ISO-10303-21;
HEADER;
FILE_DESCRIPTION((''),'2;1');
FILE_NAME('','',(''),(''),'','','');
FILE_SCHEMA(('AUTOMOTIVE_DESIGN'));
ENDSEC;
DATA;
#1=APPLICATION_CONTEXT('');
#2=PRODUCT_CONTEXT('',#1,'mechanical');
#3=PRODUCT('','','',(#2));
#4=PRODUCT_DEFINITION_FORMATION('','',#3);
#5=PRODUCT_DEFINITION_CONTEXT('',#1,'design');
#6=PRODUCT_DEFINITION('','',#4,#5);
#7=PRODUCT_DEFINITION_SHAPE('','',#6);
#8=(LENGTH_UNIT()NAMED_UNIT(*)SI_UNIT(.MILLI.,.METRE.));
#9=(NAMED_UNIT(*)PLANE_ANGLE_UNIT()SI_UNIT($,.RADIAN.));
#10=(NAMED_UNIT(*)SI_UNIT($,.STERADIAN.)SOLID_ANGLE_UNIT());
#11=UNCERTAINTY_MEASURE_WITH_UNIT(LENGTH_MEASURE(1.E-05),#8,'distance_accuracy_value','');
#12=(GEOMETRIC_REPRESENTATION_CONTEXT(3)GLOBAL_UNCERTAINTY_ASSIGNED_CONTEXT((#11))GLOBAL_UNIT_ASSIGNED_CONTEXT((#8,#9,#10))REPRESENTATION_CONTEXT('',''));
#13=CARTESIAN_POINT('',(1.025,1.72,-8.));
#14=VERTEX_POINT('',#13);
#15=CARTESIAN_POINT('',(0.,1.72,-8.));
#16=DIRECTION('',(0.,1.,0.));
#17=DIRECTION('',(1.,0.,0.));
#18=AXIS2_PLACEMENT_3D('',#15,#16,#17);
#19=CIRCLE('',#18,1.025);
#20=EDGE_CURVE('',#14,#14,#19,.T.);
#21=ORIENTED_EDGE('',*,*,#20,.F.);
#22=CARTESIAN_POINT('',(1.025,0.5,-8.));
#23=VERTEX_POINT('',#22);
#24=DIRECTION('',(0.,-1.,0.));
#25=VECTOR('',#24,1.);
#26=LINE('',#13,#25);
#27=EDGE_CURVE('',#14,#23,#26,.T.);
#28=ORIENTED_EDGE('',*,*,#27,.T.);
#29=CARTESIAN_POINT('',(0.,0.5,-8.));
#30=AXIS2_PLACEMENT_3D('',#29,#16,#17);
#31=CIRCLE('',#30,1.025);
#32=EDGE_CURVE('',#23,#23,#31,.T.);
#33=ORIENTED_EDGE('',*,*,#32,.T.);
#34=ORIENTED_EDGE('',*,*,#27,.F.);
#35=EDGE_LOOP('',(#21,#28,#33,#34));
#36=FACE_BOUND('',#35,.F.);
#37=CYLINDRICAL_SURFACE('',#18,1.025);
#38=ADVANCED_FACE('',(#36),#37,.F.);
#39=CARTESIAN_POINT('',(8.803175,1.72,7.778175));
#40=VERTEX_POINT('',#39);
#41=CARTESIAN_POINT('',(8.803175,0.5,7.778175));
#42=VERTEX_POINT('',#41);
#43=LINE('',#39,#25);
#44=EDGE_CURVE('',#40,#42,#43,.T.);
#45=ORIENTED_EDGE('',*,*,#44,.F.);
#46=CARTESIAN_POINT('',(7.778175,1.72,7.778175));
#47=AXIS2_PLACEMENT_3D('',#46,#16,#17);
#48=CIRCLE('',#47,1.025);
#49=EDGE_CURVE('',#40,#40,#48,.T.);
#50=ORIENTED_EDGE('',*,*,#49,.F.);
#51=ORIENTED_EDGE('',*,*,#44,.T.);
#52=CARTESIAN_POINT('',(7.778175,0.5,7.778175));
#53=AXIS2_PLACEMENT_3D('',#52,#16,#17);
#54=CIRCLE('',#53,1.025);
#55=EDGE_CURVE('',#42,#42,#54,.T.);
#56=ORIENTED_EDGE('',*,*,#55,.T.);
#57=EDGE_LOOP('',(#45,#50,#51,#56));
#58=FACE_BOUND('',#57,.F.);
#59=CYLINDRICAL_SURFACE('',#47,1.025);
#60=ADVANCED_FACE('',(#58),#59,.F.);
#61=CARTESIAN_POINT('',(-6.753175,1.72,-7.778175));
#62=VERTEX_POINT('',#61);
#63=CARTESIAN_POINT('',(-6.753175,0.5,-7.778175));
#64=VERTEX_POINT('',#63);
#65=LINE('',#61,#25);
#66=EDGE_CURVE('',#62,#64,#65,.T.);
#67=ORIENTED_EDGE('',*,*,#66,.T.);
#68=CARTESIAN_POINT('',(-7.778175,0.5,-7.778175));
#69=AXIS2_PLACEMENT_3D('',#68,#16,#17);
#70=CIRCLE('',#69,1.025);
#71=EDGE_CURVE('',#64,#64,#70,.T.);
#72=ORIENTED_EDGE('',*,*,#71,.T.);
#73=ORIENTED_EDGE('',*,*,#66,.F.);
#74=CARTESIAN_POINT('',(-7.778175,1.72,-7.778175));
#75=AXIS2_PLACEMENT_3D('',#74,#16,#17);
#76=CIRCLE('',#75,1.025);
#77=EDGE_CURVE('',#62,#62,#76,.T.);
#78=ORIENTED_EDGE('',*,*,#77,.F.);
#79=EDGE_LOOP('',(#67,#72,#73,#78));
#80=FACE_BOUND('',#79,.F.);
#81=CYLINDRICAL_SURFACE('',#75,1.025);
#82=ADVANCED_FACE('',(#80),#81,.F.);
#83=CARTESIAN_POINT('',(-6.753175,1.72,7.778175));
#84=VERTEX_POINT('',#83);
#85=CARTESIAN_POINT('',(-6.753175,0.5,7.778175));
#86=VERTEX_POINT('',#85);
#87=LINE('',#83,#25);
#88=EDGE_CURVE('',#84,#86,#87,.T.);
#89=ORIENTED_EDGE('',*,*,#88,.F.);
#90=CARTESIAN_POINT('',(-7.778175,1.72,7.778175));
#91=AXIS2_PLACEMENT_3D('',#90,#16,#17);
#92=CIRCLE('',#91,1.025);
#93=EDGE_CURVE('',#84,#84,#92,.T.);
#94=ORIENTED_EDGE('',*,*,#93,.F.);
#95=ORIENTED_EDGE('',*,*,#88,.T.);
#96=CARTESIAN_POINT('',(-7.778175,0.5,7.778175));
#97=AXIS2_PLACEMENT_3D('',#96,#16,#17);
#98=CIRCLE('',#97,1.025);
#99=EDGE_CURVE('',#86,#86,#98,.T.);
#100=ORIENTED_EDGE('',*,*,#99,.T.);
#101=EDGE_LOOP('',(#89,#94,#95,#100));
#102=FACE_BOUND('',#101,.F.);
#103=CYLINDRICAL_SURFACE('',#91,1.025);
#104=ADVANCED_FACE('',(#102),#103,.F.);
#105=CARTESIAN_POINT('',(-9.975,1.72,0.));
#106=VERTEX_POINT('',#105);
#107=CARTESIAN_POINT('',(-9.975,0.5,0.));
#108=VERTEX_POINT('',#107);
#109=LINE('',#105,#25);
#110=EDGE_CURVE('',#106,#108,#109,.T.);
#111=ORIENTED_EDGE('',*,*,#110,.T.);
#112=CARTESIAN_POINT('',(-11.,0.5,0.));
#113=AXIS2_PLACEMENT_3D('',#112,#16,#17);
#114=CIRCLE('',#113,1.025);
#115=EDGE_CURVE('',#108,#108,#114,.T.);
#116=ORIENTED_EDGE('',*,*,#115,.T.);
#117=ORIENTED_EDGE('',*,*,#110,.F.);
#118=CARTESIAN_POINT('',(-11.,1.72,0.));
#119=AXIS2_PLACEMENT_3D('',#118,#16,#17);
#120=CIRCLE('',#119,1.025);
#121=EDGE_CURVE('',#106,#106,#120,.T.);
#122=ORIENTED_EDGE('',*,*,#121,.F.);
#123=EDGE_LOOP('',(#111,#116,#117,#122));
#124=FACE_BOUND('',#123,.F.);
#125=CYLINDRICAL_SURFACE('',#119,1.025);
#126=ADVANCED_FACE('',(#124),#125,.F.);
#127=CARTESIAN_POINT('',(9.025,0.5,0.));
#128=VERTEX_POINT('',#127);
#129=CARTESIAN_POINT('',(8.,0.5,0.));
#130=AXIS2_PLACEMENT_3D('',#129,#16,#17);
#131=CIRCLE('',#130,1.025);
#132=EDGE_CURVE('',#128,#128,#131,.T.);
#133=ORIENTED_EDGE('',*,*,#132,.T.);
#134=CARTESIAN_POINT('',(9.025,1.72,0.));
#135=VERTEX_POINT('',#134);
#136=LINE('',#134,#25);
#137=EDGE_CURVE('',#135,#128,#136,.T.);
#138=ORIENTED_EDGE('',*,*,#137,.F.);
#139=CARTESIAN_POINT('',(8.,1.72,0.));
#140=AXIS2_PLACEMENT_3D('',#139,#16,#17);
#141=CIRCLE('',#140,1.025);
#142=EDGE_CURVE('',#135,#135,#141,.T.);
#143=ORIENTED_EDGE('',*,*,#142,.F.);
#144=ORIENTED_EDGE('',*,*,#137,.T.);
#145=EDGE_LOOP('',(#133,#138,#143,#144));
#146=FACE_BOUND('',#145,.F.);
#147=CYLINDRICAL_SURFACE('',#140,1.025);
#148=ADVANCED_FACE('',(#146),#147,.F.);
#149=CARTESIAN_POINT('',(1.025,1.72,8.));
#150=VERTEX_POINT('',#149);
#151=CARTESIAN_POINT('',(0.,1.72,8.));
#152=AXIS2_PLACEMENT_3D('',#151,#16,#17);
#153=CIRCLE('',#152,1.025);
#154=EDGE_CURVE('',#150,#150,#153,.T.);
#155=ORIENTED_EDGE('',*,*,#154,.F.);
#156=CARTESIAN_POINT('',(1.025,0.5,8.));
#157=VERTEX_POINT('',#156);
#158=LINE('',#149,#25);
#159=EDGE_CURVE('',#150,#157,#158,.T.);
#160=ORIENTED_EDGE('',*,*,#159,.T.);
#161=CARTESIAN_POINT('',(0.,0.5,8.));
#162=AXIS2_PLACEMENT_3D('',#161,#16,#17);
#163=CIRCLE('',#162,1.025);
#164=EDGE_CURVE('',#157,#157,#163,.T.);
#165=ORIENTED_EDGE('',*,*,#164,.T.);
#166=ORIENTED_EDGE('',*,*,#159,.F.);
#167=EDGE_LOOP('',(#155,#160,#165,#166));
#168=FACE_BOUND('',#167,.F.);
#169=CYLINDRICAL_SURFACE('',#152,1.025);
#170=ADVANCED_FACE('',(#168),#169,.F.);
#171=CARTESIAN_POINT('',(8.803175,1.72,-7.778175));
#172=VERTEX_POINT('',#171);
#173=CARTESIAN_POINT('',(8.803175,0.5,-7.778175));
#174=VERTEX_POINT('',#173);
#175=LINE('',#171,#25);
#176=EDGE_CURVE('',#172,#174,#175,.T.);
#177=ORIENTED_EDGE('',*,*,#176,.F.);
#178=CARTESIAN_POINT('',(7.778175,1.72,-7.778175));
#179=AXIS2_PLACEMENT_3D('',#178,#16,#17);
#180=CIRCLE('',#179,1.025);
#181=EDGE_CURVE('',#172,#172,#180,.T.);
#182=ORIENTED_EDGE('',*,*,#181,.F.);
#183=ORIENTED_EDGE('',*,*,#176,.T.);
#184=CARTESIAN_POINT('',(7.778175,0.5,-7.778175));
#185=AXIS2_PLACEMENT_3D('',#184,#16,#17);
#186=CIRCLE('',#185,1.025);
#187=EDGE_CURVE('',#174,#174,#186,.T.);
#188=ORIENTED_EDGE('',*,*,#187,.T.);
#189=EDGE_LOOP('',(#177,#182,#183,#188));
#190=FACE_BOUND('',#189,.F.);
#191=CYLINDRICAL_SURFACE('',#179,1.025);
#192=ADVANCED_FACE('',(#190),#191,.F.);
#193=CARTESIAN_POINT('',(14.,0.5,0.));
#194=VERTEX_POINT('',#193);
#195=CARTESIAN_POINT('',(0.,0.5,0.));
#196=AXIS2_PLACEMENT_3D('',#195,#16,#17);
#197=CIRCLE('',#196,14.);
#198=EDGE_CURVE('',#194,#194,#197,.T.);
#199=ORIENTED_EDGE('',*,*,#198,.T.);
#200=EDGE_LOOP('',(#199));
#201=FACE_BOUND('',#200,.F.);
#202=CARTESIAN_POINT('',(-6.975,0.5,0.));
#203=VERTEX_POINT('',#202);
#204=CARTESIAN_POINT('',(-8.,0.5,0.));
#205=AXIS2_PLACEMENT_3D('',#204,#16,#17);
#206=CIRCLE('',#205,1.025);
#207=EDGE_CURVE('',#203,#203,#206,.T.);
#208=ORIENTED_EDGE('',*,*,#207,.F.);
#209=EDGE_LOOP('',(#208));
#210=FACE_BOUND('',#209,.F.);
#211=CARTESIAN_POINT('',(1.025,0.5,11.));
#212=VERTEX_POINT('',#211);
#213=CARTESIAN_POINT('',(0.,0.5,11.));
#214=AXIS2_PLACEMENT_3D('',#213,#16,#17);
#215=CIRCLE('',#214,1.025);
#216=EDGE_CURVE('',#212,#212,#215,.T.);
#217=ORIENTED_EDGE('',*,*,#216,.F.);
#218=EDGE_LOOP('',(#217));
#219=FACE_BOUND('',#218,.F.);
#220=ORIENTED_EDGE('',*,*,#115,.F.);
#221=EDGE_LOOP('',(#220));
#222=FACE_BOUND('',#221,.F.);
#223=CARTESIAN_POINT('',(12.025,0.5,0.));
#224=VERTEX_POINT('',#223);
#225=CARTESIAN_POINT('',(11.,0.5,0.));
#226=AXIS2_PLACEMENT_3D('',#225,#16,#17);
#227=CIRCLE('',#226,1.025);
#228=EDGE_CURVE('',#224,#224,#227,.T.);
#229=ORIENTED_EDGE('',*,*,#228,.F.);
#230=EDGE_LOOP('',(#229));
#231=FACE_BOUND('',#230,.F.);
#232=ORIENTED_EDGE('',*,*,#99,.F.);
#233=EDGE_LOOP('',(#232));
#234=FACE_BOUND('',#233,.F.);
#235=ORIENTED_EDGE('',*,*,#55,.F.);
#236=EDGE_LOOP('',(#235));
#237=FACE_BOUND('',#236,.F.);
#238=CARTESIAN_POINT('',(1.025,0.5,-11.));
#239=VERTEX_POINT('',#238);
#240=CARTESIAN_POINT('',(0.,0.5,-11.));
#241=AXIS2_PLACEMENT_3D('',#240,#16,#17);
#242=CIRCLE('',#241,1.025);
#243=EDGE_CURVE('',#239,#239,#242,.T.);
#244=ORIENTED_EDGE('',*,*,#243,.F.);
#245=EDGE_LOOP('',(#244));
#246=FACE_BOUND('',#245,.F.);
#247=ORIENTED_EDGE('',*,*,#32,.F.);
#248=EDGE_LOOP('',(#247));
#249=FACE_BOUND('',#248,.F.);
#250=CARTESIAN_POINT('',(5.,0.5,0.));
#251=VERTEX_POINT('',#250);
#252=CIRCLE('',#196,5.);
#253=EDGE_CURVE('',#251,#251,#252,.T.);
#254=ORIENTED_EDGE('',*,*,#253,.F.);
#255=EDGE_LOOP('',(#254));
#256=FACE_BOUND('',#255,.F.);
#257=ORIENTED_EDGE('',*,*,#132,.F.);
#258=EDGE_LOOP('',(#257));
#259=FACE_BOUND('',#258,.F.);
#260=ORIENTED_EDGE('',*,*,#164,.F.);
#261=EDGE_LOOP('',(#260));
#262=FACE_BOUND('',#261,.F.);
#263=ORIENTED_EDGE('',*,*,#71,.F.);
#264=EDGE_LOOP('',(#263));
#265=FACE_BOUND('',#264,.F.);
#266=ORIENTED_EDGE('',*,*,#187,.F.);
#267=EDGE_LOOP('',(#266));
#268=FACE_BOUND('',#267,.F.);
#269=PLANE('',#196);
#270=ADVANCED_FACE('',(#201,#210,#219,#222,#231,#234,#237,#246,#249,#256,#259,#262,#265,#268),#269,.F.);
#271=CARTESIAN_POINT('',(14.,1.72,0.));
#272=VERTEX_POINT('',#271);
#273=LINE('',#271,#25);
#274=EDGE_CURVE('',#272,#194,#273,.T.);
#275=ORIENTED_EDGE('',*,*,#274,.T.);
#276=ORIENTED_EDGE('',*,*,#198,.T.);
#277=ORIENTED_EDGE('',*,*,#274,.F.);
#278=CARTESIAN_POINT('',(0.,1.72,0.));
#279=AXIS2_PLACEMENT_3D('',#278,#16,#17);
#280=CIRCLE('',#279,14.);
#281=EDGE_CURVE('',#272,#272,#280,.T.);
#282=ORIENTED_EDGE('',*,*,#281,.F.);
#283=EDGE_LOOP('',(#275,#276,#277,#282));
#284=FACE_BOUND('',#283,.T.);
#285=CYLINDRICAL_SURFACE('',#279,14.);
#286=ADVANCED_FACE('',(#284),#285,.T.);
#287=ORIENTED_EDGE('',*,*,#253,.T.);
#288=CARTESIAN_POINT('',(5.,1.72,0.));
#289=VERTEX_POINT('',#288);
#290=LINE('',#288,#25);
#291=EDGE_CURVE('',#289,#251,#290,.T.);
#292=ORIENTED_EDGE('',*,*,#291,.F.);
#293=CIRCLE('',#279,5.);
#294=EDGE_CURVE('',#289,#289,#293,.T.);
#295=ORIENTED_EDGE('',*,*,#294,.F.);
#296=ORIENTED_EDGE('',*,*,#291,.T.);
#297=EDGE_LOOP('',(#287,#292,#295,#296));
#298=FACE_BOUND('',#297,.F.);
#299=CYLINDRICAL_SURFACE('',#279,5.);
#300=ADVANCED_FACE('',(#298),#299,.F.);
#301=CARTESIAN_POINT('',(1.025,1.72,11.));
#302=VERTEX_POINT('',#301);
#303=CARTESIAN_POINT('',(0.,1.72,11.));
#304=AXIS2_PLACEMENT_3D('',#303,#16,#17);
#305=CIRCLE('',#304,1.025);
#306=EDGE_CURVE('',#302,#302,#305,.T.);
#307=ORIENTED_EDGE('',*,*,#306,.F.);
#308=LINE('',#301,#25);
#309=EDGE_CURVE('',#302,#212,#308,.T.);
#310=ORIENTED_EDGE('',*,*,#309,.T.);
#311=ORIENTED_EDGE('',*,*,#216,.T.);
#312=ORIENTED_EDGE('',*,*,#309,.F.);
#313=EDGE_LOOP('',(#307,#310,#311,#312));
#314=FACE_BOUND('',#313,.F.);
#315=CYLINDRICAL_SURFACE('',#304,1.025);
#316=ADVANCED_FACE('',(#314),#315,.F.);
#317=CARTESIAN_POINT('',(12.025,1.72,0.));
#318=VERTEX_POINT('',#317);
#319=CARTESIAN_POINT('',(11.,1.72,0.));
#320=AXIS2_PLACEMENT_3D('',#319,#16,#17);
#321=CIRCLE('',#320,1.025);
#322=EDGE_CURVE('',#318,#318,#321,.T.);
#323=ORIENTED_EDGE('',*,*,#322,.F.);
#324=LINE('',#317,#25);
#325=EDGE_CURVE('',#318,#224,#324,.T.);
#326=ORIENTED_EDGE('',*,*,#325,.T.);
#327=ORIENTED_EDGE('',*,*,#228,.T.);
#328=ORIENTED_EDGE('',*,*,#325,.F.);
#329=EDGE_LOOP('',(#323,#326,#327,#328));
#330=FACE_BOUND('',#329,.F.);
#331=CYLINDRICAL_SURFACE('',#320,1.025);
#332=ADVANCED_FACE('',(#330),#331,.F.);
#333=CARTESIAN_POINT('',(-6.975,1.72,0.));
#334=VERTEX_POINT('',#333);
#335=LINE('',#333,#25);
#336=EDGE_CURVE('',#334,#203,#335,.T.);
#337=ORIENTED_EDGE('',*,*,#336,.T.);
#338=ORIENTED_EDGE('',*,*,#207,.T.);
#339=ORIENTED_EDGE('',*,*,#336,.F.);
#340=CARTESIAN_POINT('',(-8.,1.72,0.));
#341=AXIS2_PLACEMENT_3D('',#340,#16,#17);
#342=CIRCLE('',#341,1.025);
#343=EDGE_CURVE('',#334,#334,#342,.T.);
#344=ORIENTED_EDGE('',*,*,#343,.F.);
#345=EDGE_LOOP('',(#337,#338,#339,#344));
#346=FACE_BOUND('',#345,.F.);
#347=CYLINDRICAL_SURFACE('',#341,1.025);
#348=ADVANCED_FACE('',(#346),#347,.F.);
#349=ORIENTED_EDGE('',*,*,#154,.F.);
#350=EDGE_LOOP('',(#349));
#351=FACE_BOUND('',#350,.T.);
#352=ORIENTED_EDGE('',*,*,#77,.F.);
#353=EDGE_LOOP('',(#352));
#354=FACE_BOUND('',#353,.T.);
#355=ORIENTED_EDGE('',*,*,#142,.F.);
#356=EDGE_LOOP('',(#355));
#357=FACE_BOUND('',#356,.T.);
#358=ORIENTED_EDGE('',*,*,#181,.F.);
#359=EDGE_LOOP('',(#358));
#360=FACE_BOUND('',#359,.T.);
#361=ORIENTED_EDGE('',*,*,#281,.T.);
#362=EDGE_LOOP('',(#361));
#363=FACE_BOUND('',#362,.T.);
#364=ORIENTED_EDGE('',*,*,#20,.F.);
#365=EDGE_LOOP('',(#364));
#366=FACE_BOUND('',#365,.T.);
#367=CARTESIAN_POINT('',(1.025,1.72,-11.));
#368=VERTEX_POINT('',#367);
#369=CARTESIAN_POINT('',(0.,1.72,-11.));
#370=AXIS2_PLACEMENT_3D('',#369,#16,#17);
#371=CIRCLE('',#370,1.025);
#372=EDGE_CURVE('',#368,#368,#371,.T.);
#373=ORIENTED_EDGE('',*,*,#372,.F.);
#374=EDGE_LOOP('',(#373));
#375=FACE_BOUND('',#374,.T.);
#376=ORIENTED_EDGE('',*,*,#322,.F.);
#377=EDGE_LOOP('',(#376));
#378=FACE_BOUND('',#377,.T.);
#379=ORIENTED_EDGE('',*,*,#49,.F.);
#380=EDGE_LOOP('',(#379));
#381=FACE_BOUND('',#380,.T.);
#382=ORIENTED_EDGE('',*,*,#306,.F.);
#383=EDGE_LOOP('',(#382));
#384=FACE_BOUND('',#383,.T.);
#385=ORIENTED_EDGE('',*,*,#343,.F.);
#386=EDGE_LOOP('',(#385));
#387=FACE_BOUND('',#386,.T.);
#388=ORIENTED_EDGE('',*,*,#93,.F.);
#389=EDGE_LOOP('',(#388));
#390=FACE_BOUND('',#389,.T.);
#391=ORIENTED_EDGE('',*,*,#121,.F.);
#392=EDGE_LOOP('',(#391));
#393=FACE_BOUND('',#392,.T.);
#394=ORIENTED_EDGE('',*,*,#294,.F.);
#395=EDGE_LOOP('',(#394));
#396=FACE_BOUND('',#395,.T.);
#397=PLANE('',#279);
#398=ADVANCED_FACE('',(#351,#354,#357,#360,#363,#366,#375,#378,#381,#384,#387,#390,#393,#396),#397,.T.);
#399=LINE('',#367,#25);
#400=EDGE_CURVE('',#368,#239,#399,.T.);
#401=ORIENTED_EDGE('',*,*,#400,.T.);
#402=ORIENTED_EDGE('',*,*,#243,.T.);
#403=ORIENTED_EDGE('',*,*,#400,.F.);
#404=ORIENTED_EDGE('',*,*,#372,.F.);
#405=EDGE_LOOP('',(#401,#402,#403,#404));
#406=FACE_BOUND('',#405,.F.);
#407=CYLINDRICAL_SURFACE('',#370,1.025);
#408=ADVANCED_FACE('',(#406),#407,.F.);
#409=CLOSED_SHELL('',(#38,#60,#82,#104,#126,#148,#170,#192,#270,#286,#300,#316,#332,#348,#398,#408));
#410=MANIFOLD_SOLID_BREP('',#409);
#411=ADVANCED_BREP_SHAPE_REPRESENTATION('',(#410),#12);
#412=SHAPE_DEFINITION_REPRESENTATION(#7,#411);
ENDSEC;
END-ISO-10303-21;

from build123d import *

# Parameters (mm, degrees)
SKETCH1_R           = 14
SKETCH1_R_2         = 1.025
SKETCH1_R_3         = 5
BOSS_EXTRUDE1_DEPTH = 1.22


with BuildPart() as part:
    # Sketch1 → Boss-Extrude1 (new body)
    with BuildSketch(Plane(origin=(0, 1.72, 0), x_dir=(1, 0, 0), z_dir=(0, 1, 0))):
        Circle(SKETCH1_R)
        with Locations((-8, 0)):
            Circle(SKETCH1_R_2, mode=Mode.SUBTRACT)
        with Locations((8, 0)):
            Circle(SKETCH1_R_2, mode=Mode.SUBTRACT)
        with Locations((-7.778174593, 7.778174593)):
            Circle(SKETCH1_R_2, mode=Mode.SUBTRACT)
        with Locations((-7.778174593, -7.778174593)):
            Circle(SKETCH1_R_2, mode=Mode.SUBTRACT)
        with Locations((7.778174593, -7.778174593)):
            Circle(SKETCH1_R_2, mode=Mode.SUBTRACT)
        with Locations((7.778174593, 7.778174593)):
            Circle(SKETCH1_R_2, mode=Mode.SUBTRACT)
        with Locations((0, 11)):
            Circle(SKETCH1_R_2, mode=Mode.SUBTRACT)
        with Locations((11, 0)):
            Circle(SKETCH1_R_2, mode=Mode.SUBTRACT)
        with Locations((0, -11)):
            Circle(SKETCH1_R_2, mode=Mode.SUBTRACT)
        with Locations((-11, 0)):
            Circle(SKETCH1_R_2, mode=Mode.SUBTRACT)
        with Locations((0, 8)):
            Circle(SKETCH1_R_2, mode=Mode.SUBTRACT)
        with Locations((0, -8)):
            Circle(SKETCH1_R_2, mode=Mode.SUBTRACT)
        Circle(SKETCH1_R_3, mode=Mode.SUBTRACT)
    extrude(amount=-BOSS_EXTRUDE1_DEPTH)


solid = part.part
